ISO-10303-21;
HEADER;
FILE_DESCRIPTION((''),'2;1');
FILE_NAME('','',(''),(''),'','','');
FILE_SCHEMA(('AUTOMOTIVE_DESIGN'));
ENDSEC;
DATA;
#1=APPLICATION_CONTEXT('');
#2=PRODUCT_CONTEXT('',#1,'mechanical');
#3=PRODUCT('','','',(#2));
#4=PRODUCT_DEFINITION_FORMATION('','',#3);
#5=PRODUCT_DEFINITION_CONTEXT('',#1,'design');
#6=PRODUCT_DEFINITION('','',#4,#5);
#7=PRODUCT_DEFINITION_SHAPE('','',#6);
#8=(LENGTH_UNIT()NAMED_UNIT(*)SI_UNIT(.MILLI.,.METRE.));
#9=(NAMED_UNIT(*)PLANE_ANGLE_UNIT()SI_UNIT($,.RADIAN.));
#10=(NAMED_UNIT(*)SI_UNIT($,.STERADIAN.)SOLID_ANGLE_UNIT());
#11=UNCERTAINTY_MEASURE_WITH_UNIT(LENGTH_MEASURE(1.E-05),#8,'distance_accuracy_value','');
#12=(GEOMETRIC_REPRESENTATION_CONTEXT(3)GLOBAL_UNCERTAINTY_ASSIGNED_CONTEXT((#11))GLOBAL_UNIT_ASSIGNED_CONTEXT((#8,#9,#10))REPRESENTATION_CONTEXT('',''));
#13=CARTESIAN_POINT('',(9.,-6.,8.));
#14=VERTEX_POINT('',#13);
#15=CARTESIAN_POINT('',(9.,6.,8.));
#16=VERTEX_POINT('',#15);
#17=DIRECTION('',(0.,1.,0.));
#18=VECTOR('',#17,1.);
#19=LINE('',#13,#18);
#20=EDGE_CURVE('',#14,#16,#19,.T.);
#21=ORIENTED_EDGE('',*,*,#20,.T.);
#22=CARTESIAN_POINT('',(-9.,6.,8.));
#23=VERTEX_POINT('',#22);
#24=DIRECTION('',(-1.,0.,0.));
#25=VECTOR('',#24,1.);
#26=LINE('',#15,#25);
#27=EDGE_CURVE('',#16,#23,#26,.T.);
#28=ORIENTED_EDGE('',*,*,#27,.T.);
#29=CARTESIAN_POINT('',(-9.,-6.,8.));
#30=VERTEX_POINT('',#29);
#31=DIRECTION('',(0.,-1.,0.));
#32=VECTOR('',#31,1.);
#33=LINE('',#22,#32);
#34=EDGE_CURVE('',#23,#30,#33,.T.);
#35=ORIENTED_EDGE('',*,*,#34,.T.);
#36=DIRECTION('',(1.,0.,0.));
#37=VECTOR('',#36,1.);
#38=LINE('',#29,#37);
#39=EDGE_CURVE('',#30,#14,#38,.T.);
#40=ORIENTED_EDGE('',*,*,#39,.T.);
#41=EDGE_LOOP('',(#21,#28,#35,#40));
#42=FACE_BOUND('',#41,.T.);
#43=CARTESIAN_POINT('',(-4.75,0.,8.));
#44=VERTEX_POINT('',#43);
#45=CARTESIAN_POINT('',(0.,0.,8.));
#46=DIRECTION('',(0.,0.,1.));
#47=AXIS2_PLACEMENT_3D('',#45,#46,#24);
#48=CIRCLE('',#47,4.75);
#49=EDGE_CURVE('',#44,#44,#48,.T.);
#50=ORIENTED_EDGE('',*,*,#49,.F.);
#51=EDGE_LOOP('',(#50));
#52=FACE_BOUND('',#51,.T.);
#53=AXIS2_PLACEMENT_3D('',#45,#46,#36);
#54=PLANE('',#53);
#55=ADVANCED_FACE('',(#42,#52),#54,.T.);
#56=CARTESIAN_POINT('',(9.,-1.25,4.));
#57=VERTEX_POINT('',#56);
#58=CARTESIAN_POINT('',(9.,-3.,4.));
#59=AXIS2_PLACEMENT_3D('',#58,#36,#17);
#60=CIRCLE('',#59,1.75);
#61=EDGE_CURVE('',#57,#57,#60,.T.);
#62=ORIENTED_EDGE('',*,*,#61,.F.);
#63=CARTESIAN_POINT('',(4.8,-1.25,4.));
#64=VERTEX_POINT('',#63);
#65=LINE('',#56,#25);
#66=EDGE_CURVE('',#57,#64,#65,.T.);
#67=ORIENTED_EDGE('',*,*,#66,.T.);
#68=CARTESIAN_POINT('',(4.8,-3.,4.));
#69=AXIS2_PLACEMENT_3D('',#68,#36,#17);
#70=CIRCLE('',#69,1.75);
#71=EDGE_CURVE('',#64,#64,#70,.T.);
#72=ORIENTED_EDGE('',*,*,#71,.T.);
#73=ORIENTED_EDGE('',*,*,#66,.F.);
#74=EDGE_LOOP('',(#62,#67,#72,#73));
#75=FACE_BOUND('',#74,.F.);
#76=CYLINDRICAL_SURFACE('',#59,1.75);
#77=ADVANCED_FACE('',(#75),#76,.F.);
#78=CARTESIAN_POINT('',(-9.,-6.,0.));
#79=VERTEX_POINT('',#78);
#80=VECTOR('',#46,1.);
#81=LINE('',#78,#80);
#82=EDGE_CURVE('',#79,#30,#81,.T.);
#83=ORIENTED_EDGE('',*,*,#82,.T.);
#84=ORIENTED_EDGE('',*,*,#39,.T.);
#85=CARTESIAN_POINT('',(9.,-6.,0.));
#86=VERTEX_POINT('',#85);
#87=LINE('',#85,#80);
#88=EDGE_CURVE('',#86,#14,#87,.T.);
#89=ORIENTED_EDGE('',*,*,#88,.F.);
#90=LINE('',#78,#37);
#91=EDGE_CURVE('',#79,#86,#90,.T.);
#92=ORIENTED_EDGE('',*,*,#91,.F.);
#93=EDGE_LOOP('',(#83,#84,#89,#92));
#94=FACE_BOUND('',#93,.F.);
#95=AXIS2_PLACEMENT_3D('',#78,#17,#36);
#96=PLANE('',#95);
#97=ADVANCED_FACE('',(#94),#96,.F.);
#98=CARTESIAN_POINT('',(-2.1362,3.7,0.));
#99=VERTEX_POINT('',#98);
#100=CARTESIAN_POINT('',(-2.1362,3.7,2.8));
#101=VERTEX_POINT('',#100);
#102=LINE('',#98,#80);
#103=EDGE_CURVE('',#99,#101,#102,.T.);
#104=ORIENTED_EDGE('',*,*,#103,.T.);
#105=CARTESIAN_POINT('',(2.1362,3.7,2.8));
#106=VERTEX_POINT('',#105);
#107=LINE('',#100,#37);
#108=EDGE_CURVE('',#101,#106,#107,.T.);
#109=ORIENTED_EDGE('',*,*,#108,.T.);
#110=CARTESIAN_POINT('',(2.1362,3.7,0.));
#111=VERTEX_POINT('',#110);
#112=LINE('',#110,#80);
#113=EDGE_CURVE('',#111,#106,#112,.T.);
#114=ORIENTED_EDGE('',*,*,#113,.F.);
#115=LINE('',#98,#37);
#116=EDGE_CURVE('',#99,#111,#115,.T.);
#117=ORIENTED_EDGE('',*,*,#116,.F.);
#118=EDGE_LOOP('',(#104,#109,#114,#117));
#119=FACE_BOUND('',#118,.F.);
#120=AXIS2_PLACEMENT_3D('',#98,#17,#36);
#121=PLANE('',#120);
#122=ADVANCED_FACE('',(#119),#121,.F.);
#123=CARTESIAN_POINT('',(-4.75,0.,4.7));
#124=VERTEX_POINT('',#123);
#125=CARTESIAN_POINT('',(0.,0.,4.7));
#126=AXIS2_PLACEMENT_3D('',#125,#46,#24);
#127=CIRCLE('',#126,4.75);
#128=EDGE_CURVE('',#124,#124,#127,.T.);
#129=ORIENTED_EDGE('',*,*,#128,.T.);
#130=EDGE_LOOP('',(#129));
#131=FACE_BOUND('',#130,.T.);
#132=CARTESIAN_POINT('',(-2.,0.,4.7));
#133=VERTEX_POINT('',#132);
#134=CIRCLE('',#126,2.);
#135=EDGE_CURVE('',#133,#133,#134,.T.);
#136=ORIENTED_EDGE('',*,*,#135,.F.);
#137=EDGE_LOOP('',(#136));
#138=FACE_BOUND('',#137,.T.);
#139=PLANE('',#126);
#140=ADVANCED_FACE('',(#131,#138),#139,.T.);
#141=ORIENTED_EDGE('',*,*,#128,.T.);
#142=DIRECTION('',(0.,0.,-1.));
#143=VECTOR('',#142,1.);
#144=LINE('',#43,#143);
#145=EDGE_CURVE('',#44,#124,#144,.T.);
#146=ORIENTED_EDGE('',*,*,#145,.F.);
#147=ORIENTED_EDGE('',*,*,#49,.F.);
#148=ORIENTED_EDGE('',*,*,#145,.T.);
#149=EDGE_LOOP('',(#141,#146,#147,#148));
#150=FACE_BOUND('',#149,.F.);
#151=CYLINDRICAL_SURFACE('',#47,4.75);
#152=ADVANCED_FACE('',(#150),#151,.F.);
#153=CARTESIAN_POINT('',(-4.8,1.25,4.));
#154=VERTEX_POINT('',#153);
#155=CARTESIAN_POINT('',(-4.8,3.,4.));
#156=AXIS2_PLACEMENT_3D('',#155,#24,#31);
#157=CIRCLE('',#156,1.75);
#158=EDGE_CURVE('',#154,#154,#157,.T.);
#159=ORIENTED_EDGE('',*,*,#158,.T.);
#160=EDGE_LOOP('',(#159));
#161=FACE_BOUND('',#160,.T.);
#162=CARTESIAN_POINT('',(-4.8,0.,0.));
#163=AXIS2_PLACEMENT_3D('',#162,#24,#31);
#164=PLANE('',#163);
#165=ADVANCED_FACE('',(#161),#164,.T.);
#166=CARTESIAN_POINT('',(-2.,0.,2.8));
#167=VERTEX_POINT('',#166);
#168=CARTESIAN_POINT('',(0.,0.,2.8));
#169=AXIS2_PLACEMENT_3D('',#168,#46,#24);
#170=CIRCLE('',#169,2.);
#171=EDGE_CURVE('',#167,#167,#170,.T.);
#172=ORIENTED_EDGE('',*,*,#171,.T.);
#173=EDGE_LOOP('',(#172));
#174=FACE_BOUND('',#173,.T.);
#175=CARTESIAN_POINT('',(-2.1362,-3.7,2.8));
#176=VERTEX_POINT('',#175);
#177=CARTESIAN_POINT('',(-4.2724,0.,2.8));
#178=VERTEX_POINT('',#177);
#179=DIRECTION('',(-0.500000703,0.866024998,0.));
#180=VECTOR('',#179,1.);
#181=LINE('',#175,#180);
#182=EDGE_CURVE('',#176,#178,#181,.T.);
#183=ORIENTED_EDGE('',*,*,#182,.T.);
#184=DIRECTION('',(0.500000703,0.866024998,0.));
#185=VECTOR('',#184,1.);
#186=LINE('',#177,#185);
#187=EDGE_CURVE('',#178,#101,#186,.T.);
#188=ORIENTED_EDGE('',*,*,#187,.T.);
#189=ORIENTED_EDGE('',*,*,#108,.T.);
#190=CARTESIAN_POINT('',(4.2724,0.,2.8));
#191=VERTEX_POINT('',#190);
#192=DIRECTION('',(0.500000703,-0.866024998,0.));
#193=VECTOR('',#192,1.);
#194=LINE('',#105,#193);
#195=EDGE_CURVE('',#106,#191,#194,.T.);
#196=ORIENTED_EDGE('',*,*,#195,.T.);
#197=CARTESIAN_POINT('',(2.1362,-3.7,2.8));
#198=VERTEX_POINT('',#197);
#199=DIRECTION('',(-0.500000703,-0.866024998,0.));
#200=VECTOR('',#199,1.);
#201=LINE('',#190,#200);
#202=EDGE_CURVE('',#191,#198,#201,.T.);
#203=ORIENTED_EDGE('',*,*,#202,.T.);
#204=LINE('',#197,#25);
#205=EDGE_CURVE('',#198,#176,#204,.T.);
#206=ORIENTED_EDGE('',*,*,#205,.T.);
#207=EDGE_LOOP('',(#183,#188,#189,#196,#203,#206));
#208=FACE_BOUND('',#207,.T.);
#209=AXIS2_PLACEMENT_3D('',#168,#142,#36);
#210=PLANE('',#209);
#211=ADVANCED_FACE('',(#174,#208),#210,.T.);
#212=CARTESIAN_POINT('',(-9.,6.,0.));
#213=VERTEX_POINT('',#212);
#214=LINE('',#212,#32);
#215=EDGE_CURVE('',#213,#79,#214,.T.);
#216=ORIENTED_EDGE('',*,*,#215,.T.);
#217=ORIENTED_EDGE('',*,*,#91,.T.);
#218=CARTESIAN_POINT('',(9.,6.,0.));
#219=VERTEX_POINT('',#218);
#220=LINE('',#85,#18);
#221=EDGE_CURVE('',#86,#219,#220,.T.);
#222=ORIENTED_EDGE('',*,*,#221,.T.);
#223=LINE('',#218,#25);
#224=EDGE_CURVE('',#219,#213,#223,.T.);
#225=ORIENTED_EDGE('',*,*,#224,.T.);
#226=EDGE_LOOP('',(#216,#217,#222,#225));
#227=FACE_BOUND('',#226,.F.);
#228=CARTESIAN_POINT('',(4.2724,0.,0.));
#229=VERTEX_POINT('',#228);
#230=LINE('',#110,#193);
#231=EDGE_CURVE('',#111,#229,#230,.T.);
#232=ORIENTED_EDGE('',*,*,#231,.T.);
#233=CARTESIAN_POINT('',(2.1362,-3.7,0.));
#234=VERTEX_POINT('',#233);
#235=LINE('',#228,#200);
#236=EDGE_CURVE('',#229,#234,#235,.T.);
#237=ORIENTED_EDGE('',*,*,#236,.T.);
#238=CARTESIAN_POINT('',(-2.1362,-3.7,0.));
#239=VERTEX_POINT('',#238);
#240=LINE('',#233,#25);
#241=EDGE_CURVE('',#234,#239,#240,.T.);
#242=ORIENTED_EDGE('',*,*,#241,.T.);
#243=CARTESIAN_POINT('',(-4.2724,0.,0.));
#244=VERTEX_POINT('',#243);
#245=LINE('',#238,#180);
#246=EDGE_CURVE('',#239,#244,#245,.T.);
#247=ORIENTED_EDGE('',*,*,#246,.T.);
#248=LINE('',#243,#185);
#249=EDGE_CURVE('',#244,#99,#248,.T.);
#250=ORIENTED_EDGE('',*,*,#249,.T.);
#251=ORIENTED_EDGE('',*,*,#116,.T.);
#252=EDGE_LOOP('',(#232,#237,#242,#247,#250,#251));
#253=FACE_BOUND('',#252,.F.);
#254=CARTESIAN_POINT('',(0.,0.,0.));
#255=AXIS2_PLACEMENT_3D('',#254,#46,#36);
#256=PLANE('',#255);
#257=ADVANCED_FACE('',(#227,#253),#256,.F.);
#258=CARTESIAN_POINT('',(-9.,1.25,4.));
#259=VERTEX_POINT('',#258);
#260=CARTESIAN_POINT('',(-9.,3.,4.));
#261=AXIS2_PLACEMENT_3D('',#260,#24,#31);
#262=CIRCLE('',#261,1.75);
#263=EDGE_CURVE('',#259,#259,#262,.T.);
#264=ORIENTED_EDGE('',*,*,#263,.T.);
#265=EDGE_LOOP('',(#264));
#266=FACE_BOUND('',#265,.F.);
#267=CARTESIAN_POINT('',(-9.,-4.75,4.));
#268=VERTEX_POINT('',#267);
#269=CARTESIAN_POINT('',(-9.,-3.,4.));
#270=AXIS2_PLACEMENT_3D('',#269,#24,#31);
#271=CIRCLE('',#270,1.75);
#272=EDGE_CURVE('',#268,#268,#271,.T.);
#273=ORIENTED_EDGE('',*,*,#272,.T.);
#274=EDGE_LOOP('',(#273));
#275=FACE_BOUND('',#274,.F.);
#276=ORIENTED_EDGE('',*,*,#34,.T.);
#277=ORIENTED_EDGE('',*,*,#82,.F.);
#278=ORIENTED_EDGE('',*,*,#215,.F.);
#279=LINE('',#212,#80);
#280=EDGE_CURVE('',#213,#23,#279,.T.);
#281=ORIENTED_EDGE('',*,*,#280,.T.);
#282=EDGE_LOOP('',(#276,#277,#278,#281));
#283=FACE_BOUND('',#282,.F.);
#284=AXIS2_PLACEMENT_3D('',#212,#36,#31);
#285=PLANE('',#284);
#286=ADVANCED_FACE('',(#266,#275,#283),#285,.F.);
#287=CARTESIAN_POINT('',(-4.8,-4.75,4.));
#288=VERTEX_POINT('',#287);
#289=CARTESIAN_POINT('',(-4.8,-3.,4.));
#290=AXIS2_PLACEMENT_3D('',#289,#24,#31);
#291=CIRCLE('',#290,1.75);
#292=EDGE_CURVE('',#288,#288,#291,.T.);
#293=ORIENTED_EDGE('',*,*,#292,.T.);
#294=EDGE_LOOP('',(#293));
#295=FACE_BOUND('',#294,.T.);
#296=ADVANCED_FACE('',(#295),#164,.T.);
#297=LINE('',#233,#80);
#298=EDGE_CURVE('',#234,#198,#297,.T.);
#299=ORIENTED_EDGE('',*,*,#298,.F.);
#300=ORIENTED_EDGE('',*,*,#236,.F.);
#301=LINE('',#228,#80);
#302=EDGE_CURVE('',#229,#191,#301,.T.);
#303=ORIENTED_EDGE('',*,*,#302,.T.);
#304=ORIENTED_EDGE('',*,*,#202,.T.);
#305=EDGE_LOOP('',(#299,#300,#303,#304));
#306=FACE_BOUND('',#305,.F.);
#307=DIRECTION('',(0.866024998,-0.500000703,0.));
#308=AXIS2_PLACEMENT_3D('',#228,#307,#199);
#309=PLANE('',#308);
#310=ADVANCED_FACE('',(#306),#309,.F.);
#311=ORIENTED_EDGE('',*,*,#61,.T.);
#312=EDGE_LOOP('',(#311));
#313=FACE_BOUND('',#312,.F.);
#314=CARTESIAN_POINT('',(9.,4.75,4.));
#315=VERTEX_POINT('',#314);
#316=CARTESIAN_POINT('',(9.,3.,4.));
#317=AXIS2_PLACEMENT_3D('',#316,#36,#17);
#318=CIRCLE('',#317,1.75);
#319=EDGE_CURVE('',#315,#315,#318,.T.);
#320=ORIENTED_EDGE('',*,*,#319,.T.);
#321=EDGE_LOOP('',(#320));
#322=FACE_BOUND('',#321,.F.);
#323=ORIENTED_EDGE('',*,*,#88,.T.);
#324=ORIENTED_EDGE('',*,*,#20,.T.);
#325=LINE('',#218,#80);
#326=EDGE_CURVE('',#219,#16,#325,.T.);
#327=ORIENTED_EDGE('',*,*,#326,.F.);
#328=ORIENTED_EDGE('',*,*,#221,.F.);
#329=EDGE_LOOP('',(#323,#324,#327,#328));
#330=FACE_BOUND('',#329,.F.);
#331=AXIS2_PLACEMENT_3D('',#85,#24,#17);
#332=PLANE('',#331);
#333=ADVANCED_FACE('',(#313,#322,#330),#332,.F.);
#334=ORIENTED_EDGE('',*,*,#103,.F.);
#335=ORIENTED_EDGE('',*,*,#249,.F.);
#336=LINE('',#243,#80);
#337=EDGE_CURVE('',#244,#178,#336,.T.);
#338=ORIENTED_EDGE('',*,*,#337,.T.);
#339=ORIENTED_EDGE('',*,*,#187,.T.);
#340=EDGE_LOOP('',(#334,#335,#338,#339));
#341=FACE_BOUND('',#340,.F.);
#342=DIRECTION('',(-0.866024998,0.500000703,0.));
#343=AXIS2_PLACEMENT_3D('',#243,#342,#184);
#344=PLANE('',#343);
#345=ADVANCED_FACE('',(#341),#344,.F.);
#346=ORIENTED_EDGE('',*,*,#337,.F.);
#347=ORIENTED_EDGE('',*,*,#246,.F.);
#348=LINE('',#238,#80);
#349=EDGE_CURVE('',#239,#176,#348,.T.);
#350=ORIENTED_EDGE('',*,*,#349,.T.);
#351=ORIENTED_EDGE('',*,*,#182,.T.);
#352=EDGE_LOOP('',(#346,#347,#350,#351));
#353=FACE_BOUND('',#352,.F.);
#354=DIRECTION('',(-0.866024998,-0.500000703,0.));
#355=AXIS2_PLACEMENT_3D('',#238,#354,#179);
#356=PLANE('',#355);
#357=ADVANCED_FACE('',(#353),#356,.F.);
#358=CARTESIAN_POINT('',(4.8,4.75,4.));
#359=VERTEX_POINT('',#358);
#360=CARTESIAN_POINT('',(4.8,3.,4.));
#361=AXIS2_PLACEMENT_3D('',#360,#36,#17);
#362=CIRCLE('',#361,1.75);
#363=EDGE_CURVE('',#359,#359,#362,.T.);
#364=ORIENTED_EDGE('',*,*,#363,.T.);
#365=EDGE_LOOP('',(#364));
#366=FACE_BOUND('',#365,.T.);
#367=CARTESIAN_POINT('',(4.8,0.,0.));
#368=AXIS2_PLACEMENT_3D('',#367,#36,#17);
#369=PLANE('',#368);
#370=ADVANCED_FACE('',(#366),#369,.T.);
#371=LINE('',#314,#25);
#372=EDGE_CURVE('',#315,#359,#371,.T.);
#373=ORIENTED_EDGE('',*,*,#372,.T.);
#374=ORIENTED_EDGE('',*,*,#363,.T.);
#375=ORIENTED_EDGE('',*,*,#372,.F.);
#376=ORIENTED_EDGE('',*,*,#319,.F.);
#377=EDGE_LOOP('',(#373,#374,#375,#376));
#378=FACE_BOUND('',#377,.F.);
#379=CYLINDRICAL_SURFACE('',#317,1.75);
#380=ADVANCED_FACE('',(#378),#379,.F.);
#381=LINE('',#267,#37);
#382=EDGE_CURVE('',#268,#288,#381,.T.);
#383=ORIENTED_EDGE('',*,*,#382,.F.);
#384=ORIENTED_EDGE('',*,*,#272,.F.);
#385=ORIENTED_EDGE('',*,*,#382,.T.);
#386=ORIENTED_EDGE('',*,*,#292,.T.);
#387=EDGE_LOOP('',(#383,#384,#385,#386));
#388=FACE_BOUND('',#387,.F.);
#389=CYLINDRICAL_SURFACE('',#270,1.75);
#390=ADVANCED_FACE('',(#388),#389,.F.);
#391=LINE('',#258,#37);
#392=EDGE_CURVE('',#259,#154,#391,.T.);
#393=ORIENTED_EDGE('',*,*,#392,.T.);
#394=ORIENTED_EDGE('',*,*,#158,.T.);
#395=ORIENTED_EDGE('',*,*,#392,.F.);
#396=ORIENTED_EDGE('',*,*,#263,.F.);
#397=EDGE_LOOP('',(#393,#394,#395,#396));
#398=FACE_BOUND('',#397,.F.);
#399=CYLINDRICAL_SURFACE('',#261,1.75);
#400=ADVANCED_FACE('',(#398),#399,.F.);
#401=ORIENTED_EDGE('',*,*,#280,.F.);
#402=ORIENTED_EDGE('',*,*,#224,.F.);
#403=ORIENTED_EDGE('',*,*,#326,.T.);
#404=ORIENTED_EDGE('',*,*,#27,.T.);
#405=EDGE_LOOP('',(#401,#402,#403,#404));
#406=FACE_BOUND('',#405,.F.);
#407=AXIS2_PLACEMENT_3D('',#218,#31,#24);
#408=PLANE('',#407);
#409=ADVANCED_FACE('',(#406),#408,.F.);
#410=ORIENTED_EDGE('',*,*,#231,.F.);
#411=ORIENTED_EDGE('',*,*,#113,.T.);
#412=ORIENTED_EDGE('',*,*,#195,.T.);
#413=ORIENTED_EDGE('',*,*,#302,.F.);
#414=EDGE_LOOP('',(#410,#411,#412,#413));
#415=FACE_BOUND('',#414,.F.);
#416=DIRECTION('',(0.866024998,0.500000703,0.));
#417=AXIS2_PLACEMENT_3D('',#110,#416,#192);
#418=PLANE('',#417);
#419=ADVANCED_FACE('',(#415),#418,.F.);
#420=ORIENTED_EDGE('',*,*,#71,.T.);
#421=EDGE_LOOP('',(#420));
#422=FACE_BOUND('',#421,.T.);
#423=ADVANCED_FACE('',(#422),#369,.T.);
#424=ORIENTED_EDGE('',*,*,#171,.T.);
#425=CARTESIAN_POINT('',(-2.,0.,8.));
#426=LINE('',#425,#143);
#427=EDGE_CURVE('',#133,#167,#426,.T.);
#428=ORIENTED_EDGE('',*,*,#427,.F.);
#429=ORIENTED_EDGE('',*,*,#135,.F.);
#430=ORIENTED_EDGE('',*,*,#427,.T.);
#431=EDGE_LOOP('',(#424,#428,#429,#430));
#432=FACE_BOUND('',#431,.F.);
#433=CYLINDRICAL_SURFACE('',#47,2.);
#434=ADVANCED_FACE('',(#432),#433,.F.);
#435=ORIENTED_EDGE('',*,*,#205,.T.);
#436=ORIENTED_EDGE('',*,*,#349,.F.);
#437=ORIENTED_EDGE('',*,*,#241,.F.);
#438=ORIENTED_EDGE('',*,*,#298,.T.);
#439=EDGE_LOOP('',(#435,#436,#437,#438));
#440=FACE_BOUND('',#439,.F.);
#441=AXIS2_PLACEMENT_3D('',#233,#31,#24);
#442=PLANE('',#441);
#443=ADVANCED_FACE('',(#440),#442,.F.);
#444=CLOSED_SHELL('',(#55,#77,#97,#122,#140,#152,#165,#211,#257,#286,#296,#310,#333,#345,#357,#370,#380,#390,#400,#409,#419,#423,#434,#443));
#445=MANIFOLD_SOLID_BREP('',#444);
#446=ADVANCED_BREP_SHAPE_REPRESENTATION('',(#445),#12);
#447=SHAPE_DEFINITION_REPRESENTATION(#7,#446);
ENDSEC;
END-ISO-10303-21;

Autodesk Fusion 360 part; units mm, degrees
sketch "Sketch1" plane through (0, 0, 0) normal (0, 0, 1) x (1, 0, 0)
  line L0 (-9, -6) -> (9, -6)
  line L1 (9, -6) -> (9, 6)
  line L2 (9, 6) -> (-9, 6)
  line L3 (-9, 6) -> (-9, -6)
  dimension "d1" = 18
  dimension "d2" = 12
  dimension "d5" = 9
  dimension "d6" = 6
extrude "Extrude1" add sketch "Sketch1" along normal blind 8
sketch "Sketch2" plane through (0, 0, 0) normal (0, 0, -1) x (1, 0, 0)
  line L0 (-9, 6) -> (-9, -6)
  line L1 (-9, -6) -> (9, -6)
  line L2 (9, -6) -> (9, 6)
  line L3 (9, 6) -> (-9, 6)
sketch "Sketch3" plane through (0, 0, 0) normal (0, 0, -1) x (1, 0, 0)
  line L0 (2.1362, -3.7) -> (4.2724, 0)
  line L1 (4.2724, 0) -> (2.1362, 3.7)
  line L2 (2.1362, 3.7) -> (-2.1362, 3.7)
  line L3 (-2.1362, 3.7) -> (-4.2724, 0)
  line L4 (-4.2724, 0) -> (-2.1362, -3.7)
  line L5 (-2.1362, -3.7) -> (2.1362, -3.7)
  dimension "d12" = 3.7
extrude "Extrude2" cut sketch "Sketch3" against normal blind 2.8
sketch "Sketch4" plane through (0, 0, 8) normal (0, 0, 1) x (-1, 0, 0)
  line L0 (9, -6) -> (9, 6)
  line L1 (9, 6) -> (-9, 6)
  line L2 (-9, 6) -> (-9, -6)
  line L3 (-9, -6) -> (9, -6)
  circle A0 centre (0, 0) radius 2
  dimension "d9" = 4
extrude "Extrude3" cut sketch "Sketch4" against normal blind 10 contours A0
sketch "Sketch5" plane through (0, 0, 8) normal (0, 0, 1) x (-1, 0, 0)
  circle A0 centre (0, 0) radius 2
  line L0 (9, -6) -> (9, 6)
  line L1 (9, 6) -> (-9, 6)
  line L2 (-9, 6) -> (-9, -6)
  line L3 (-9, -6) -> (9, -6)
  circle A1 centre (0, 0) radius 4.75
  dimension "d21" = 9.5
extrude "Extrude4" cut sketch "Sketch5" against normal blind 3.3 contours A1
sketch "Sketch6" plane through (9, 0, 0) normal (1, 0, 0) x (0, 1, 0)
  line L0 (-6, 0) -> (6, 0)
  line L1 (6, 0) -> (6, 8)
  line L2 (6, 8) -> (-6, 8)
  line L3 (-6, 8) -> (-6, 0)
  line L4 (-6, 4) -> (6, 4) construction
  circle A0 centre (-3, 4) radius 1.75
  circle A1 centre (3, 4) radius 1.75
  dimension "d15" = 3.5
  dimension "d16" = 3.5
  dimension "d17" = 3
  dimension "d18" = 3
extrude "Extrude5" cut sketch "Sketch6" against normal blind 4.2 contours A0 | A1
sketch "Sketch7" plane through (-9, 0, 0) normal (-1, 0, 0) x (0, -1, 0)
  line L0 (-6, 0) -> (6, 0)
  line L1 (6, 0) -> (6, 8)
  line L2 (6, 8) -> (-6, 8)
  line L3 (-6, 8) -> (-6, 0)
  line L4 (-6, 4) -> (6, 4) construction
  circle A0 centre (-3, 4) radius 1.75
  circle A1 centre (3, 4) radius 1.75
  dimension "d24" = 3.5
  dimension "d25" = 3.5
  dimension "d26" = 3
  dimension "d27" = 3
extrude "Extrude6" cut sketch "Sketch7" against normal blind 4.2 contours A0 | A1
